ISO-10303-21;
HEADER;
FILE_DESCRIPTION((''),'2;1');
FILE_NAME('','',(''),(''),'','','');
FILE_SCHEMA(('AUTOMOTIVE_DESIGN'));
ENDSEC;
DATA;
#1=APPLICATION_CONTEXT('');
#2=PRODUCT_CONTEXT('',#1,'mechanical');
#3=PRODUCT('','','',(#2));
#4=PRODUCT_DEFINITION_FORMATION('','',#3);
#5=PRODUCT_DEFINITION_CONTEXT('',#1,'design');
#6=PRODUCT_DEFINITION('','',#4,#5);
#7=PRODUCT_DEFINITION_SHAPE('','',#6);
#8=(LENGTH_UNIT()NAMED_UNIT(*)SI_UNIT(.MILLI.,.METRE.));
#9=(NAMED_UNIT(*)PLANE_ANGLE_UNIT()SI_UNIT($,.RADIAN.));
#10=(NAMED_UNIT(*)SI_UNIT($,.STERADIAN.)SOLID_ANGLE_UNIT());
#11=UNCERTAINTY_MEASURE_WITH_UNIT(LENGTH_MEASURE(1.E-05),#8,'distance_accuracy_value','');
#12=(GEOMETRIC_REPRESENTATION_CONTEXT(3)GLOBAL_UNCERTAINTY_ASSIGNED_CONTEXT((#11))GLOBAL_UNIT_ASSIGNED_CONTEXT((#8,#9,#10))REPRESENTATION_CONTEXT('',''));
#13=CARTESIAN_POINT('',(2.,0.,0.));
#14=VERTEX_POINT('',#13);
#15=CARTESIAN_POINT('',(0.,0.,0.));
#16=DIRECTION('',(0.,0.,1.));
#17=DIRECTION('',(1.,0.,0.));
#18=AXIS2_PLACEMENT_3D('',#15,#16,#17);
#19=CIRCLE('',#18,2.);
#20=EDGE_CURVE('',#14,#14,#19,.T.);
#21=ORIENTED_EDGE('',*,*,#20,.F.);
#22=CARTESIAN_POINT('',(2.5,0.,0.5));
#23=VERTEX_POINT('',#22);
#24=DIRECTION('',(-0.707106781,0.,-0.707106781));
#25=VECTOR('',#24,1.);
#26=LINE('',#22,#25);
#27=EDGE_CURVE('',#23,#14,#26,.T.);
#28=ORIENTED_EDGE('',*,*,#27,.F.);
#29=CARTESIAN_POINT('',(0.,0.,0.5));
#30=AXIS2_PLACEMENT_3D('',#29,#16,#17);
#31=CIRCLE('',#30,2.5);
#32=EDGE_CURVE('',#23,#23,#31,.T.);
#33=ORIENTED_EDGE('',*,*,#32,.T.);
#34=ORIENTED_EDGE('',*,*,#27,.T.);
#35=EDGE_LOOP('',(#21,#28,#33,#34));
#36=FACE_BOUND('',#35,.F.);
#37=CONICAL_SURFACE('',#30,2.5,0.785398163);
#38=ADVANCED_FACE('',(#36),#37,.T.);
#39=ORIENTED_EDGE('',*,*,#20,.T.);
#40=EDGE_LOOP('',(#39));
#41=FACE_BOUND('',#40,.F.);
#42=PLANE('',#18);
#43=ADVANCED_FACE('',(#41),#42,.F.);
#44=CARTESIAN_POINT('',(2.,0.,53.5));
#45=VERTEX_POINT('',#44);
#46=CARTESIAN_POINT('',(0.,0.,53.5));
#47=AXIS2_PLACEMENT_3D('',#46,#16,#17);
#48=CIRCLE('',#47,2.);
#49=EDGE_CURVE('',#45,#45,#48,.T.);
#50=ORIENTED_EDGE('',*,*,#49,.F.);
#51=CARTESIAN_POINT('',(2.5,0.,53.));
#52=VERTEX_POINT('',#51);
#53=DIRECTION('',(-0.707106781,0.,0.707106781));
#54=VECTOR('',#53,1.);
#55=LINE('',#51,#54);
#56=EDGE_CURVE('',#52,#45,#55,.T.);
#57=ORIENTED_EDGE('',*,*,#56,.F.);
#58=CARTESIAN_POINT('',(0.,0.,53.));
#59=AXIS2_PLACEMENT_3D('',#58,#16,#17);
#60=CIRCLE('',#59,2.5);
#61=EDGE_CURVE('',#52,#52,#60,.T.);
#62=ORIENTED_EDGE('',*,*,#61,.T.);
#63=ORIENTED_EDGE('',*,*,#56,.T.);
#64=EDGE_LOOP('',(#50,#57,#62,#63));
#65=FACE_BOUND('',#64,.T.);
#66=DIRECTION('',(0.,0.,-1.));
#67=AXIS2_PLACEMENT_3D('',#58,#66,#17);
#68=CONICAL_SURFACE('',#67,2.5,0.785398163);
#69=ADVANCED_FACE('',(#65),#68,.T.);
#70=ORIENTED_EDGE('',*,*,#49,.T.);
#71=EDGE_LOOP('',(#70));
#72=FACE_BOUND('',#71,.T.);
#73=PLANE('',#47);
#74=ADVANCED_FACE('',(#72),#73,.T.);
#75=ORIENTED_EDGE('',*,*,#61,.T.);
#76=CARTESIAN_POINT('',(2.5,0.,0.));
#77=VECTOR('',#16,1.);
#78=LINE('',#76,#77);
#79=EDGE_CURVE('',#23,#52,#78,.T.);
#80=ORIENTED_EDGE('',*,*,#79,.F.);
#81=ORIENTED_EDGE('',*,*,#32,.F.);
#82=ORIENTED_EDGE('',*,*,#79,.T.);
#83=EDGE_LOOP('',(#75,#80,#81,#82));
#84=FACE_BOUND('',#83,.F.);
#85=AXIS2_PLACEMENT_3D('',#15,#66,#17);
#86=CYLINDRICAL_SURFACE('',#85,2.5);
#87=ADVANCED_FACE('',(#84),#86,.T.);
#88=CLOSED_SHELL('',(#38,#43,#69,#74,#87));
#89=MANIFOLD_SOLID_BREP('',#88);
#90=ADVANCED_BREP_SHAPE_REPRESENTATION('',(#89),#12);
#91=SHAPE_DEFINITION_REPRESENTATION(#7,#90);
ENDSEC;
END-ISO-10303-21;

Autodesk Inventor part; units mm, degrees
ref_plane "YZ Plane" through (0, 0, 0) normal (1, 0, 0) x (0, 1, 0)
ref_plane "XZ Plane" through (0, 0, 0) normal (0, 1, 0) x (-1, 0, 0)
ref_plane "XY Plane" through (0, 0, 0) normal (0, 0, 1) x (1, 0, 0)
sketch "Sketch1" plane through (0, 0, 0) normal (0, 0, 1) x (1, 0, 0)
  circle A0 centre (0, 0) radius 2.5
  dimension "d0" = 5
extrude "Extrusion1" add sketch "Sketch1" along normal blind 53.5
chamfer "Chamfer1" distance 0.5 angle 45 2 edges at (-2.5, 0, 0) (-2.5, 0, 53.5)
properties part number "CUT_STEEL_5x53,5_Linear_rod" material "Stainless Steel"
